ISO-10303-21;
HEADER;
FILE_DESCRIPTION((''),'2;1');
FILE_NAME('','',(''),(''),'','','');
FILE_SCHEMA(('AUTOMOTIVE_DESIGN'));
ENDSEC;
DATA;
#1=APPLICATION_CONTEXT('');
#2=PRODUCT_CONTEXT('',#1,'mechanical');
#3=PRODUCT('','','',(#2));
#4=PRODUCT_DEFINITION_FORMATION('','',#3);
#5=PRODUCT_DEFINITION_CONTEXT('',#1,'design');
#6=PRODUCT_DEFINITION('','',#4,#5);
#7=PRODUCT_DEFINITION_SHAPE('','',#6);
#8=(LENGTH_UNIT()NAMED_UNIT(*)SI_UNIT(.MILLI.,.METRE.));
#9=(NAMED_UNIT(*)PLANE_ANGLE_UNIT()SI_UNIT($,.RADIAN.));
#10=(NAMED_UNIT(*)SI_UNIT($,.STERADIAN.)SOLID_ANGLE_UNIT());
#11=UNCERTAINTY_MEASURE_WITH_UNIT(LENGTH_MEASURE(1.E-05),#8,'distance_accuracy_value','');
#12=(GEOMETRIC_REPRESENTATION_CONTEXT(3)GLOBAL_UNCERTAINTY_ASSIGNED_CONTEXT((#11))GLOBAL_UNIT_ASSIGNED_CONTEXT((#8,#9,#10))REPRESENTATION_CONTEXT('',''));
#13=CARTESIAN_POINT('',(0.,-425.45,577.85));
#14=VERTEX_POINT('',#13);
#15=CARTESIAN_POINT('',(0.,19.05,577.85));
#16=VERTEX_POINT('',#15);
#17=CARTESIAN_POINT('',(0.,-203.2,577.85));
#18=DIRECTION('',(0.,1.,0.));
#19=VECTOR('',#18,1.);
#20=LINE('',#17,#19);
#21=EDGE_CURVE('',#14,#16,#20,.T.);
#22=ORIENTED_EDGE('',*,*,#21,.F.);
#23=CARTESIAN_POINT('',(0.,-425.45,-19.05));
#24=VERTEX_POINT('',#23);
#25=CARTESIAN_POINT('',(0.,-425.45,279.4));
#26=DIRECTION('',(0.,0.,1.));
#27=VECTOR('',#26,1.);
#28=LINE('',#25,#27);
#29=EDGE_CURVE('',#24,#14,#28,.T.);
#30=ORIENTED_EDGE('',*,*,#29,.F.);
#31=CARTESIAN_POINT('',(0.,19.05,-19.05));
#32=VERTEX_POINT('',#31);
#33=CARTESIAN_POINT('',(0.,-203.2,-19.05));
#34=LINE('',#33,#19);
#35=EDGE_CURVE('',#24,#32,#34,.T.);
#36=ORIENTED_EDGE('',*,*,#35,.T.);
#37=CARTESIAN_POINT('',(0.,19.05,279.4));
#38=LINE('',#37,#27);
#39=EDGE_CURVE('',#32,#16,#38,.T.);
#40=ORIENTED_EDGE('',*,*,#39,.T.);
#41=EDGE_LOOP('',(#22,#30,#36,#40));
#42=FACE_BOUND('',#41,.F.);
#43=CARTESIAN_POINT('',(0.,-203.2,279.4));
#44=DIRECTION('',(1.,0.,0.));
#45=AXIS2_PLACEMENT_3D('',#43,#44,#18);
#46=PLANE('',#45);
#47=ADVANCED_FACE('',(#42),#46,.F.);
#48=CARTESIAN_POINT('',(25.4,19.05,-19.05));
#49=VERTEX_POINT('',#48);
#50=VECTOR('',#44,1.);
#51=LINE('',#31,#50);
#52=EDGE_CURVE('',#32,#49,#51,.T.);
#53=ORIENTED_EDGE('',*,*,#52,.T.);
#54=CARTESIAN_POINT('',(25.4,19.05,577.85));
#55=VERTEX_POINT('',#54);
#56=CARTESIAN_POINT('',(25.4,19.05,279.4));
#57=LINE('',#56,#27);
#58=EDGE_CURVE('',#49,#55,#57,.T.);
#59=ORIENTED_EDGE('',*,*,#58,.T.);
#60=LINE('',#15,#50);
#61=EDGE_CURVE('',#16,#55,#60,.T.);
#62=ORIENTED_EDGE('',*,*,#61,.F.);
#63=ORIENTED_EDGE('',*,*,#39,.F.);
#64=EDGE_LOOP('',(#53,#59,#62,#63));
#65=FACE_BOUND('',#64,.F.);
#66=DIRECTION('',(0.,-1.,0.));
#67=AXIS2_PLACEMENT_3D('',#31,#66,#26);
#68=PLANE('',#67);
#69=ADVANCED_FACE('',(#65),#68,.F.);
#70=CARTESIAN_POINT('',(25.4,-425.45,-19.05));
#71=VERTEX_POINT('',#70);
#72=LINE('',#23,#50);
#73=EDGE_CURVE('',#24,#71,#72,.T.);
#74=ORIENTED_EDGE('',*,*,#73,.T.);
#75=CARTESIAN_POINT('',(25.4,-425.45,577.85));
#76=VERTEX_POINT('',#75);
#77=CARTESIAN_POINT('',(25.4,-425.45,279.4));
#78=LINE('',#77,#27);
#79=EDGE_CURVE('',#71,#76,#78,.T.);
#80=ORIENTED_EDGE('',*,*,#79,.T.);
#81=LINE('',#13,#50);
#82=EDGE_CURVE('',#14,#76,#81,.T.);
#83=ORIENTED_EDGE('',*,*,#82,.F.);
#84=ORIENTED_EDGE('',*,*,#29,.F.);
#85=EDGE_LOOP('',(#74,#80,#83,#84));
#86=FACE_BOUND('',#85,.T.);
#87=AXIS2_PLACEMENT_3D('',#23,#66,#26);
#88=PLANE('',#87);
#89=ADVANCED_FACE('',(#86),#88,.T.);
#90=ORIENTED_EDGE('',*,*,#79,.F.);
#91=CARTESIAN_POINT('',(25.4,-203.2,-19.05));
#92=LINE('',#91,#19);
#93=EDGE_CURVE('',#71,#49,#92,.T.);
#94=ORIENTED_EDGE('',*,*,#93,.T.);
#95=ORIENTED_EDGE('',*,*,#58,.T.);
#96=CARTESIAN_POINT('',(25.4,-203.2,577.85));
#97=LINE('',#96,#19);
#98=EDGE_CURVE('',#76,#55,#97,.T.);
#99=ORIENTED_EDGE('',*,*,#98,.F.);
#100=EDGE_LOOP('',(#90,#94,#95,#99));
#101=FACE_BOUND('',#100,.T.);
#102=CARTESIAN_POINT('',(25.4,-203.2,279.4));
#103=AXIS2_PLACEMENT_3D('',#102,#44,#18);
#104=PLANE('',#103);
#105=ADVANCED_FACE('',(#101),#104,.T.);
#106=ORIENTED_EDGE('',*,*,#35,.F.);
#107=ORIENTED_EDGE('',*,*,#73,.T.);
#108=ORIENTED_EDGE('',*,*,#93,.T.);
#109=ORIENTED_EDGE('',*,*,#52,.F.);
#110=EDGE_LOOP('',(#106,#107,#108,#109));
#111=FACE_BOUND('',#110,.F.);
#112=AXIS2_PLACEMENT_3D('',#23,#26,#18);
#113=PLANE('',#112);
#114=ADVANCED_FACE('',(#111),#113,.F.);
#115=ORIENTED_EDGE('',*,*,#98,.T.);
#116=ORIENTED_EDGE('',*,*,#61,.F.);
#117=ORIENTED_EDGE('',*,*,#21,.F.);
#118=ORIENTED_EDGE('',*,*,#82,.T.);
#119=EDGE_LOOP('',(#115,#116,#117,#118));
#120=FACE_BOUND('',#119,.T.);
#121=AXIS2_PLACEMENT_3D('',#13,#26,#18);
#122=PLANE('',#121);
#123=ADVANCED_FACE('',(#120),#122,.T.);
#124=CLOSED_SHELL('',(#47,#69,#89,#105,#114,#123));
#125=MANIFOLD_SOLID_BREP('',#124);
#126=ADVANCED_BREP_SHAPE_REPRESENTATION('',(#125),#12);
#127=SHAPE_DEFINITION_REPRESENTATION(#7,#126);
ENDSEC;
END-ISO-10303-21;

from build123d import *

# Parameters (mm, degrees)
F2_W     = 444.5
F2_H     = 596.9
F3_DEPTH = 25.4
F1_W     = 393.7
F1_H     = 546.1
F4_DEPTH = 25.4


with BuildPart() as f3:
    # F2 (on Right) → F3 (new body)
    with BuildSketch(Plane.YZ):
        with Locations((-203.2, 279.4)):
            Rectangle(F2_W, F2_H)
    extrude(amount=F3_DEPTH)

    # F1 (on Right) → F4 (join)
    with BuildSketch(Plane.YZ):
        with Locations((-203.2, 279.4)):
            Rectangle(F1_W, F1_H)
    extrude(amount=F4_DEPTH)


solid = f3.part
